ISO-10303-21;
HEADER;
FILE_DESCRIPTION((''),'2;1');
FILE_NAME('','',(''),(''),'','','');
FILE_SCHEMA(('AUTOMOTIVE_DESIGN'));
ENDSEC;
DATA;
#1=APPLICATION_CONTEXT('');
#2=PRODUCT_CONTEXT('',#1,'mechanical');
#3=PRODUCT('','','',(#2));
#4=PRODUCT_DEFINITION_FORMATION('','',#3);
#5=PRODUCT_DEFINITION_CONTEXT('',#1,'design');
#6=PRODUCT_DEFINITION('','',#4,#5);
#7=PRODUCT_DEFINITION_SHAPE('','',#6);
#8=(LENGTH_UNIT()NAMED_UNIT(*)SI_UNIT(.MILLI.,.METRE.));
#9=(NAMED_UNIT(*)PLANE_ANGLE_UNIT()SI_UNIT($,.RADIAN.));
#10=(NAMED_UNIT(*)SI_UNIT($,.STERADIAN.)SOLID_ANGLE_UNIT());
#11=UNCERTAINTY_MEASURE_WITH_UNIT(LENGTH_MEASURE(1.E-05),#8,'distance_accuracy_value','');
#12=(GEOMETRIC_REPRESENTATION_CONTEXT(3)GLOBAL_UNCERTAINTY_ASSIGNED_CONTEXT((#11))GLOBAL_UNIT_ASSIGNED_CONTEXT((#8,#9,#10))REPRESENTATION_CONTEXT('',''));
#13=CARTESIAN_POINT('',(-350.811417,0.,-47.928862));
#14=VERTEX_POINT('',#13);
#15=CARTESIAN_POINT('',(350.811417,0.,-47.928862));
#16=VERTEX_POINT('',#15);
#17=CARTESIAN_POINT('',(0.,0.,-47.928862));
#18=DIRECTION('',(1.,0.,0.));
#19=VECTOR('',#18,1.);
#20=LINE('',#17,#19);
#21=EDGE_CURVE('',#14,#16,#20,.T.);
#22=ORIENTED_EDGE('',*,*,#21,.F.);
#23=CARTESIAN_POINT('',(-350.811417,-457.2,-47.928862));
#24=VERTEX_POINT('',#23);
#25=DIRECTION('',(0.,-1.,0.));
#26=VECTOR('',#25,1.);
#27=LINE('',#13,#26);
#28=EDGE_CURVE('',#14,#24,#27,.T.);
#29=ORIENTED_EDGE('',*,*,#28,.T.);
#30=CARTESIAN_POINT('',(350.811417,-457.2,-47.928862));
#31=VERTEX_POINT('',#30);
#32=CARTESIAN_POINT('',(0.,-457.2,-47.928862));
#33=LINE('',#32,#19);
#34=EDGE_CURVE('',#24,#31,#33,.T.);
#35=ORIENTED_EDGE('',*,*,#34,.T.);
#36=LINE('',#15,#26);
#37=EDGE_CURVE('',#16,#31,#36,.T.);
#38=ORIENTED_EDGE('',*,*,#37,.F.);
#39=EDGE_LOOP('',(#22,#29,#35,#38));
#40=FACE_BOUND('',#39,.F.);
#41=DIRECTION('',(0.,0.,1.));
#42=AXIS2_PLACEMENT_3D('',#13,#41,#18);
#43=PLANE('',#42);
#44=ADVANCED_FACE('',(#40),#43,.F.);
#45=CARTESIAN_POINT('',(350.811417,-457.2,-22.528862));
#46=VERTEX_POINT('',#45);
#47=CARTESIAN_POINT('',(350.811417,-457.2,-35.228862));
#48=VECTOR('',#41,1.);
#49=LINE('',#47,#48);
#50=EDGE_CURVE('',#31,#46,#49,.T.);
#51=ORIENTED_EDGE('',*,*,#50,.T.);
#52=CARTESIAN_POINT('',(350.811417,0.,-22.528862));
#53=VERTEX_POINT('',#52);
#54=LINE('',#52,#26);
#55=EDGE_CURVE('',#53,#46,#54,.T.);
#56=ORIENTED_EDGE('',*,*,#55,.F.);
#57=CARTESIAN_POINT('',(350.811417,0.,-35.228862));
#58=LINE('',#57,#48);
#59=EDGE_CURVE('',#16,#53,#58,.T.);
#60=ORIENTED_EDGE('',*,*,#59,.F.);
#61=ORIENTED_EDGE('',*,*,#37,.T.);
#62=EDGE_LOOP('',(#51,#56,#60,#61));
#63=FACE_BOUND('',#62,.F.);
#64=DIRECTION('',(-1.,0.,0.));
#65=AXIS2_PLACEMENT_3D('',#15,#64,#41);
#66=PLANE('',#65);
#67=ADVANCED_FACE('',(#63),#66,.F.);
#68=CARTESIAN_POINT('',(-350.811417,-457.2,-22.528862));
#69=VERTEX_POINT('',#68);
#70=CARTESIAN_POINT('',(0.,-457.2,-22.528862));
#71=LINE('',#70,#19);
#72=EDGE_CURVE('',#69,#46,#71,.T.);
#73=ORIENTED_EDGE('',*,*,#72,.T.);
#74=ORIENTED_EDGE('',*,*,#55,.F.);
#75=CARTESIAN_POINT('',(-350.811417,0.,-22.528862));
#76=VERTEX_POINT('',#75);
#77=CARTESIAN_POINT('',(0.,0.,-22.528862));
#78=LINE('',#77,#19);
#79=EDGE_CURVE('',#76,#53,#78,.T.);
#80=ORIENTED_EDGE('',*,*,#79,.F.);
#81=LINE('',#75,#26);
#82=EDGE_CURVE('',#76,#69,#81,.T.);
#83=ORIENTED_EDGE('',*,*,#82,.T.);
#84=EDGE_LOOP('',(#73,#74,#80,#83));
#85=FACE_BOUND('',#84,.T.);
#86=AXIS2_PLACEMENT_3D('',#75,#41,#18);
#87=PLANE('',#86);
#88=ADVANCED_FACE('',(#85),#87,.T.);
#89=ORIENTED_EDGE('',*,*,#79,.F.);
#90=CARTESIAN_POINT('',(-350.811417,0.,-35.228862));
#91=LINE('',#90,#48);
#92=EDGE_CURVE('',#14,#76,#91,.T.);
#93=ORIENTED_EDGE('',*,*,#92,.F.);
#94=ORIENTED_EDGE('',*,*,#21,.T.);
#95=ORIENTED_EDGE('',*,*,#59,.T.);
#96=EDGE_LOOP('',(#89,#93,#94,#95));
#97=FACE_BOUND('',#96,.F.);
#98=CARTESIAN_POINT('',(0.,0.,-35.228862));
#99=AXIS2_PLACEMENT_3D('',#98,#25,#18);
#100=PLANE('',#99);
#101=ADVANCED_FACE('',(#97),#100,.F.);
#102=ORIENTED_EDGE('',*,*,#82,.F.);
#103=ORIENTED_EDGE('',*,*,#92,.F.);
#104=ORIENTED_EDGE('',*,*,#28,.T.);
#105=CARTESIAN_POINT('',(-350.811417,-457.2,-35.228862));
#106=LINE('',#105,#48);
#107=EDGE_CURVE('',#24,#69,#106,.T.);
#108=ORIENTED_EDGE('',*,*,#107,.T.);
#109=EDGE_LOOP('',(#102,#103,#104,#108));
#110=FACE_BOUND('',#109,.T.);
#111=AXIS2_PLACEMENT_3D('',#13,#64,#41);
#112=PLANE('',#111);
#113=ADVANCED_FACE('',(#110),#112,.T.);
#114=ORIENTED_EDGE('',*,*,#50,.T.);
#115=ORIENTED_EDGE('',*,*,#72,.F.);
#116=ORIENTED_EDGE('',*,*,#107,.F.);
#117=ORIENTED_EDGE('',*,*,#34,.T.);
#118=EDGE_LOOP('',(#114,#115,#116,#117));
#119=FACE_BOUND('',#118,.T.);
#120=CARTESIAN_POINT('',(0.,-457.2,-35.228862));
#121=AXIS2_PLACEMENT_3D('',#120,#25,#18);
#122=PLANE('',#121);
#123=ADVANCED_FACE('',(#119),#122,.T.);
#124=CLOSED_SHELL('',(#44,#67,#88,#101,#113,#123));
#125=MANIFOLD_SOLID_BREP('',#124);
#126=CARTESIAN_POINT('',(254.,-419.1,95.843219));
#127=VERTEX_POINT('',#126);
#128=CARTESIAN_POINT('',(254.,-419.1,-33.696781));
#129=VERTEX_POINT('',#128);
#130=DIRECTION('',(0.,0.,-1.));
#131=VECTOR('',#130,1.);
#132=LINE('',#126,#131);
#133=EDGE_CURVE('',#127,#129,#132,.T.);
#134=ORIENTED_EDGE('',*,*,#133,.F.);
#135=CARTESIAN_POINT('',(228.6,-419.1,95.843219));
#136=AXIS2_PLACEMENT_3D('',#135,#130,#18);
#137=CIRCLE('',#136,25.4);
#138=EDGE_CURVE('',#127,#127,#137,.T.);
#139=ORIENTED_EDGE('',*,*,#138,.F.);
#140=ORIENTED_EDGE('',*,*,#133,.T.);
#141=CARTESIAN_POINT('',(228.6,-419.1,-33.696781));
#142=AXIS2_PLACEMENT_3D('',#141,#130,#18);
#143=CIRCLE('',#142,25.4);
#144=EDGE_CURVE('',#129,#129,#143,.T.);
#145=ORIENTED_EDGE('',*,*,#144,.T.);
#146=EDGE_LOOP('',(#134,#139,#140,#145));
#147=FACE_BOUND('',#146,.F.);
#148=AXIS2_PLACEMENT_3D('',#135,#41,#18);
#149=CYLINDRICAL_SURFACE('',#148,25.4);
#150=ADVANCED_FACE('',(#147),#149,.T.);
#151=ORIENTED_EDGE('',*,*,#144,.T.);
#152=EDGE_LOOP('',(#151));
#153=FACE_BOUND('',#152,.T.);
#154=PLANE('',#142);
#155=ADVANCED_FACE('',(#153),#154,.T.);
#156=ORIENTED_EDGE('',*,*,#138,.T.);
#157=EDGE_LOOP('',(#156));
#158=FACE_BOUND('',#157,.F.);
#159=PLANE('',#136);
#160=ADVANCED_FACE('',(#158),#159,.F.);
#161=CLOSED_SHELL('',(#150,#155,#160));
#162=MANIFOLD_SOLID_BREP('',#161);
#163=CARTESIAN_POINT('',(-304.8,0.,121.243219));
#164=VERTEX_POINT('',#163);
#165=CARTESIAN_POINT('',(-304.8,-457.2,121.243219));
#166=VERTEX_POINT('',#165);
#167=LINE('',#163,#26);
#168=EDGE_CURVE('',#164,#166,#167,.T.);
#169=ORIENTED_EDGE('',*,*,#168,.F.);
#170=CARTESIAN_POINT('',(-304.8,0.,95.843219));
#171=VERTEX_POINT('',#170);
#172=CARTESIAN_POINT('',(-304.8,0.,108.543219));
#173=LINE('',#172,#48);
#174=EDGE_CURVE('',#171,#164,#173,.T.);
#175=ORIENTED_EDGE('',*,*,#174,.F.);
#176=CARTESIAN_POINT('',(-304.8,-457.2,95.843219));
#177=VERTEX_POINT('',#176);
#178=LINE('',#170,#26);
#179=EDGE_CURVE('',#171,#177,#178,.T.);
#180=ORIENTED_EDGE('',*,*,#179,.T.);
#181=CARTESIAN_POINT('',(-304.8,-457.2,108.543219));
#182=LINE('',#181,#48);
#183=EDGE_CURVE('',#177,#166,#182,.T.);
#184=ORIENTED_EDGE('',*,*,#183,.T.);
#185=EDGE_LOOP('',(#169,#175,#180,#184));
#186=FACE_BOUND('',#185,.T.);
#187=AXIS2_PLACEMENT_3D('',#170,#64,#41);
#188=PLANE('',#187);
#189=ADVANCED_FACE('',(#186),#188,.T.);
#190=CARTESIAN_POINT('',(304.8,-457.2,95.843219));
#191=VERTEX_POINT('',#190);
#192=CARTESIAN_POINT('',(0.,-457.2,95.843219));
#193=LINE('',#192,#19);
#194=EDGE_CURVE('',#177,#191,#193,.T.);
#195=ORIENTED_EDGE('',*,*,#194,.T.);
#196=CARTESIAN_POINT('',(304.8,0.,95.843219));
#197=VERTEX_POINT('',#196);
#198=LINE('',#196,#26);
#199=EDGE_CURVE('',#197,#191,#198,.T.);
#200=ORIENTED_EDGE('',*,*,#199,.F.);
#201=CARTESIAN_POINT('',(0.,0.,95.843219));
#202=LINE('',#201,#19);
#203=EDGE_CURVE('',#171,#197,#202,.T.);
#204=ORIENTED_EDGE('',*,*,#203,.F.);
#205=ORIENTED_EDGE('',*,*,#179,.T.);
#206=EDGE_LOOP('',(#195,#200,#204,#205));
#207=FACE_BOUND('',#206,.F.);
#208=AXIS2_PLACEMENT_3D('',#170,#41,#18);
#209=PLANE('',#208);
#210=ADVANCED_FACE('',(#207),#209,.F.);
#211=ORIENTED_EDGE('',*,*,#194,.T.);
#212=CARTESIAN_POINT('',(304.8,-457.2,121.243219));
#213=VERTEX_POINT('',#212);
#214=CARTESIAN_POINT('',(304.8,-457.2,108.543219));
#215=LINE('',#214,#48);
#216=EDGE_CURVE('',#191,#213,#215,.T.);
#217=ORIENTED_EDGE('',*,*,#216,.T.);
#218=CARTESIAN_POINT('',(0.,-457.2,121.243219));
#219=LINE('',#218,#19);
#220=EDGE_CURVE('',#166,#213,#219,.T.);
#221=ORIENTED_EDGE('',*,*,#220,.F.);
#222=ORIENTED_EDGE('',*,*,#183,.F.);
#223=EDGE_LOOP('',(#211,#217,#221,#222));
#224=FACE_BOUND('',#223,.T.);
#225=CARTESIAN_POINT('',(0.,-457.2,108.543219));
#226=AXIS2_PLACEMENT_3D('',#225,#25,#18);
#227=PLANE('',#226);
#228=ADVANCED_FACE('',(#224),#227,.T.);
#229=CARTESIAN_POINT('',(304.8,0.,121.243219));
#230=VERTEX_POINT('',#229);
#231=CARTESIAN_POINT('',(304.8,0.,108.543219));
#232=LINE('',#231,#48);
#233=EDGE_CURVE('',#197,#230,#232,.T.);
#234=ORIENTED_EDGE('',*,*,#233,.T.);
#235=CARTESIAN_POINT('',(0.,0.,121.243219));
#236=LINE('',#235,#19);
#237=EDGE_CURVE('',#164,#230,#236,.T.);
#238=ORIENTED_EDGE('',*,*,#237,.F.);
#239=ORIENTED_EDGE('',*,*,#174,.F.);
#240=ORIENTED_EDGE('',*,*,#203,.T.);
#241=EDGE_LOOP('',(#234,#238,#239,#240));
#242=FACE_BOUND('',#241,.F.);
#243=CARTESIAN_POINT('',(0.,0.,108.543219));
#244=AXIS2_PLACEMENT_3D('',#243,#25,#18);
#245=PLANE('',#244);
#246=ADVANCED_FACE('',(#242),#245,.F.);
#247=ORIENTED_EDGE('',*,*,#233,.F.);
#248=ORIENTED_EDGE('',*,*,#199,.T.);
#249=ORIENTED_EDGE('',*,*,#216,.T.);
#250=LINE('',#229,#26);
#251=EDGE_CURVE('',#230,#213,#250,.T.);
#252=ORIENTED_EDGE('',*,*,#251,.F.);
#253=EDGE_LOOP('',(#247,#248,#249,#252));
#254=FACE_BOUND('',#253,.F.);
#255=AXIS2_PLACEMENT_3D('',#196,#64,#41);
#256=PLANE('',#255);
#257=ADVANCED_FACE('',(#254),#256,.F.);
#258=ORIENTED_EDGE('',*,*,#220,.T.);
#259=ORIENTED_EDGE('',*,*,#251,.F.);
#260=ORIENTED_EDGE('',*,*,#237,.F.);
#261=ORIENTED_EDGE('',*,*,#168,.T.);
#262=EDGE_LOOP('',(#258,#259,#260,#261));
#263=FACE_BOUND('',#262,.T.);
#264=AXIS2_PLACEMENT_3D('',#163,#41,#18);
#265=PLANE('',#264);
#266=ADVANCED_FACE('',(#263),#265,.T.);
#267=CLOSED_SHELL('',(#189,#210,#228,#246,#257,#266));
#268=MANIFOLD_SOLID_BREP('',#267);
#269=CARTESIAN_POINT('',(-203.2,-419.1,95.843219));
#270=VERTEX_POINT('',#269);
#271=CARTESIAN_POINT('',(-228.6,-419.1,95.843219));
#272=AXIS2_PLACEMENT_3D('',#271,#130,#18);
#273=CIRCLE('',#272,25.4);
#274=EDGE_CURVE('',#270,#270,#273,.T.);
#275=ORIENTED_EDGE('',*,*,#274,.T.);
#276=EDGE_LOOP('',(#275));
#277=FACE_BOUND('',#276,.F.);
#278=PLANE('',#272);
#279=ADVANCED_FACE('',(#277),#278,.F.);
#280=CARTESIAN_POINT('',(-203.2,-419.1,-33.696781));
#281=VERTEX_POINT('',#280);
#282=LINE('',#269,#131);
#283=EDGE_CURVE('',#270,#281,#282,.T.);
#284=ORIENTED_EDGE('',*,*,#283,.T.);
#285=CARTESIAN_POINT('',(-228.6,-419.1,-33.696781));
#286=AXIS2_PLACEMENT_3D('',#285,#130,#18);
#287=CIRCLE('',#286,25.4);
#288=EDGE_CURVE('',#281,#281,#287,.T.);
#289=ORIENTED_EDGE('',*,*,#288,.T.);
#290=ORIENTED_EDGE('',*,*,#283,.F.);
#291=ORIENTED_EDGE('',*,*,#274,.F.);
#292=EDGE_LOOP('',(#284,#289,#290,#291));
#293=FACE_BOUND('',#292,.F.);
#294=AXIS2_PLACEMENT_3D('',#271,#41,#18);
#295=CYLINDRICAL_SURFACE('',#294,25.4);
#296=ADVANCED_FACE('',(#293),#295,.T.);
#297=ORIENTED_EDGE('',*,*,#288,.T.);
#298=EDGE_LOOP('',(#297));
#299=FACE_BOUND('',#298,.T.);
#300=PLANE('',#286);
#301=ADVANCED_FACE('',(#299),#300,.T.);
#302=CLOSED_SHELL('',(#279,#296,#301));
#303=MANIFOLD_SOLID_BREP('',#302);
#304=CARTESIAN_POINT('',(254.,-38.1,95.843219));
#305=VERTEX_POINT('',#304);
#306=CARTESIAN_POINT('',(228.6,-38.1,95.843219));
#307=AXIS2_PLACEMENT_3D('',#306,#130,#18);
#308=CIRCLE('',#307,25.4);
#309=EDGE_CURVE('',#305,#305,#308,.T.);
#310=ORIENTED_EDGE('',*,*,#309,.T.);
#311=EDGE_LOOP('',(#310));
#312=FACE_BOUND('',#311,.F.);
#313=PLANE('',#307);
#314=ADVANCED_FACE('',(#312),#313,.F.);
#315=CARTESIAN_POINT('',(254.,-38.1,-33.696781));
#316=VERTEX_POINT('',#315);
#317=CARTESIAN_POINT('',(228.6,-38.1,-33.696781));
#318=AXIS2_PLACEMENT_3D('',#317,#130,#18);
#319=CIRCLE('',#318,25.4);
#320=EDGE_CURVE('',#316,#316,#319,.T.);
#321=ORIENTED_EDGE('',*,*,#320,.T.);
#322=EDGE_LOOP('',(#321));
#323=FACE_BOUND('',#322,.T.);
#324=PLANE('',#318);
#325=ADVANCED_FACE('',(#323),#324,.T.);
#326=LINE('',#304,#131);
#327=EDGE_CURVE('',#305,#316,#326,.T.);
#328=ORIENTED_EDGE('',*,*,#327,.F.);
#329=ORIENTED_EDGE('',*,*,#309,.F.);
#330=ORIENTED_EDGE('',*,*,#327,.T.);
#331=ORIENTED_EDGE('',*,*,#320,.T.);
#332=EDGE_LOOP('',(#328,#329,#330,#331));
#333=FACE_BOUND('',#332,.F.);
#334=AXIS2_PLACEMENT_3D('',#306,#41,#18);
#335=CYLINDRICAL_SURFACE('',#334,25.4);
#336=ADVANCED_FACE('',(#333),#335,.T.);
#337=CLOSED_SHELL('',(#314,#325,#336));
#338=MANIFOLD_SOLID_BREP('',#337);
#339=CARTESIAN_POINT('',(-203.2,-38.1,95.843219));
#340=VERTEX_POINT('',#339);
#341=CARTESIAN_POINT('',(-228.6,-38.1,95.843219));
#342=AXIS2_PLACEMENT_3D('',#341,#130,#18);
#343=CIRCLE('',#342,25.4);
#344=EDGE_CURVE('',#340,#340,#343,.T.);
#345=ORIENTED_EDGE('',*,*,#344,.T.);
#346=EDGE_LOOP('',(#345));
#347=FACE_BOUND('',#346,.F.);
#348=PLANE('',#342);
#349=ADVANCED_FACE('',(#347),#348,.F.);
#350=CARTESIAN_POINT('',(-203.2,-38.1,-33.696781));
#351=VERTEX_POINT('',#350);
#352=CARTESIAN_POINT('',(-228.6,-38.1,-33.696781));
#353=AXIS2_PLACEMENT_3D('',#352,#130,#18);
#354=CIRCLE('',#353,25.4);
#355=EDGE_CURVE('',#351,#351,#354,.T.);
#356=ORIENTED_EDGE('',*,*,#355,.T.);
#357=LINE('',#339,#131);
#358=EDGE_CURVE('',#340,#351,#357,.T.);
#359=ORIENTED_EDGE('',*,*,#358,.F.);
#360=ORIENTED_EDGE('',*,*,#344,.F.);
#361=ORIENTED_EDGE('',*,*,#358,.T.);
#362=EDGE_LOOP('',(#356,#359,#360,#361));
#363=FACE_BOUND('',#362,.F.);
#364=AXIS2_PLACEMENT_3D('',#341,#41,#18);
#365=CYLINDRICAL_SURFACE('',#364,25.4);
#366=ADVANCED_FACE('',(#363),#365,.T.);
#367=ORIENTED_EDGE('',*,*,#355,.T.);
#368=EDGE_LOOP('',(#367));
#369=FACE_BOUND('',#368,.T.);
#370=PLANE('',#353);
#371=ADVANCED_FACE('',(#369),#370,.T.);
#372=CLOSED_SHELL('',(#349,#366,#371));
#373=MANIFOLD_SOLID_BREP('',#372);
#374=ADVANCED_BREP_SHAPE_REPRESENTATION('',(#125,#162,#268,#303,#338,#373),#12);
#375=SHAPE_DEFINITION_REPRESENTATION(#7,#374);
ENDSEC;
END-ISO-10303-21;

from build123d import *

# Parameters (mm, degrees)
F0_W     = 609.6
F0_H     = 25.4
F0_W_2   = 701.622834
F1_DEPTH = 457.2
F2_R     = 25.4
F3_DEPTH = 129.54


with BuildPart() as f1:
    # F0 (on Front) → F1 (new body)
    with BuildSketch(Plane.XZ):
        with Locations((0, 108.543219)):
            Rectangle(F0_W, F0_H)
        with Locations((0, -35.228862)):
            Rectangle(F0_W_2, F0_H)
    extrude(amount=F1_DEPTH)


with BuildPart() as f3:
    # F2 (on face) → F3 (new body)
    with BuildSketch(Plane(origin=(0, 0, 95.843219), x_dir=(1, 0, 0), z_dir=(0, 0, -1))):
        with BuildLine():
            ThreePointArc((-254, 419.1), (-228.6, 393.7), (-203.2, 419.1))
            ThreePointArc((-203.2, 419.1), (-228.6, 444.5), (-254, 419.1))
        make_face()
        with Locations((228.6, 419.1)):
            Circle(F2_R)
        with Locations((228.6, 38.1)):
            Circle(F2_R)
        with BuildLine():
            ThreePointArc((-254, 38.1), (-228.6, 12.7), (-203.2, 38.1))
            ThreePointArc((-203.2, 38.1), (-228.6, 63.5), (-254, 38.1))
        make_face()
    extrude(amount=F3_DEPTH)


solid = Compound([f1.part, f3.part])
